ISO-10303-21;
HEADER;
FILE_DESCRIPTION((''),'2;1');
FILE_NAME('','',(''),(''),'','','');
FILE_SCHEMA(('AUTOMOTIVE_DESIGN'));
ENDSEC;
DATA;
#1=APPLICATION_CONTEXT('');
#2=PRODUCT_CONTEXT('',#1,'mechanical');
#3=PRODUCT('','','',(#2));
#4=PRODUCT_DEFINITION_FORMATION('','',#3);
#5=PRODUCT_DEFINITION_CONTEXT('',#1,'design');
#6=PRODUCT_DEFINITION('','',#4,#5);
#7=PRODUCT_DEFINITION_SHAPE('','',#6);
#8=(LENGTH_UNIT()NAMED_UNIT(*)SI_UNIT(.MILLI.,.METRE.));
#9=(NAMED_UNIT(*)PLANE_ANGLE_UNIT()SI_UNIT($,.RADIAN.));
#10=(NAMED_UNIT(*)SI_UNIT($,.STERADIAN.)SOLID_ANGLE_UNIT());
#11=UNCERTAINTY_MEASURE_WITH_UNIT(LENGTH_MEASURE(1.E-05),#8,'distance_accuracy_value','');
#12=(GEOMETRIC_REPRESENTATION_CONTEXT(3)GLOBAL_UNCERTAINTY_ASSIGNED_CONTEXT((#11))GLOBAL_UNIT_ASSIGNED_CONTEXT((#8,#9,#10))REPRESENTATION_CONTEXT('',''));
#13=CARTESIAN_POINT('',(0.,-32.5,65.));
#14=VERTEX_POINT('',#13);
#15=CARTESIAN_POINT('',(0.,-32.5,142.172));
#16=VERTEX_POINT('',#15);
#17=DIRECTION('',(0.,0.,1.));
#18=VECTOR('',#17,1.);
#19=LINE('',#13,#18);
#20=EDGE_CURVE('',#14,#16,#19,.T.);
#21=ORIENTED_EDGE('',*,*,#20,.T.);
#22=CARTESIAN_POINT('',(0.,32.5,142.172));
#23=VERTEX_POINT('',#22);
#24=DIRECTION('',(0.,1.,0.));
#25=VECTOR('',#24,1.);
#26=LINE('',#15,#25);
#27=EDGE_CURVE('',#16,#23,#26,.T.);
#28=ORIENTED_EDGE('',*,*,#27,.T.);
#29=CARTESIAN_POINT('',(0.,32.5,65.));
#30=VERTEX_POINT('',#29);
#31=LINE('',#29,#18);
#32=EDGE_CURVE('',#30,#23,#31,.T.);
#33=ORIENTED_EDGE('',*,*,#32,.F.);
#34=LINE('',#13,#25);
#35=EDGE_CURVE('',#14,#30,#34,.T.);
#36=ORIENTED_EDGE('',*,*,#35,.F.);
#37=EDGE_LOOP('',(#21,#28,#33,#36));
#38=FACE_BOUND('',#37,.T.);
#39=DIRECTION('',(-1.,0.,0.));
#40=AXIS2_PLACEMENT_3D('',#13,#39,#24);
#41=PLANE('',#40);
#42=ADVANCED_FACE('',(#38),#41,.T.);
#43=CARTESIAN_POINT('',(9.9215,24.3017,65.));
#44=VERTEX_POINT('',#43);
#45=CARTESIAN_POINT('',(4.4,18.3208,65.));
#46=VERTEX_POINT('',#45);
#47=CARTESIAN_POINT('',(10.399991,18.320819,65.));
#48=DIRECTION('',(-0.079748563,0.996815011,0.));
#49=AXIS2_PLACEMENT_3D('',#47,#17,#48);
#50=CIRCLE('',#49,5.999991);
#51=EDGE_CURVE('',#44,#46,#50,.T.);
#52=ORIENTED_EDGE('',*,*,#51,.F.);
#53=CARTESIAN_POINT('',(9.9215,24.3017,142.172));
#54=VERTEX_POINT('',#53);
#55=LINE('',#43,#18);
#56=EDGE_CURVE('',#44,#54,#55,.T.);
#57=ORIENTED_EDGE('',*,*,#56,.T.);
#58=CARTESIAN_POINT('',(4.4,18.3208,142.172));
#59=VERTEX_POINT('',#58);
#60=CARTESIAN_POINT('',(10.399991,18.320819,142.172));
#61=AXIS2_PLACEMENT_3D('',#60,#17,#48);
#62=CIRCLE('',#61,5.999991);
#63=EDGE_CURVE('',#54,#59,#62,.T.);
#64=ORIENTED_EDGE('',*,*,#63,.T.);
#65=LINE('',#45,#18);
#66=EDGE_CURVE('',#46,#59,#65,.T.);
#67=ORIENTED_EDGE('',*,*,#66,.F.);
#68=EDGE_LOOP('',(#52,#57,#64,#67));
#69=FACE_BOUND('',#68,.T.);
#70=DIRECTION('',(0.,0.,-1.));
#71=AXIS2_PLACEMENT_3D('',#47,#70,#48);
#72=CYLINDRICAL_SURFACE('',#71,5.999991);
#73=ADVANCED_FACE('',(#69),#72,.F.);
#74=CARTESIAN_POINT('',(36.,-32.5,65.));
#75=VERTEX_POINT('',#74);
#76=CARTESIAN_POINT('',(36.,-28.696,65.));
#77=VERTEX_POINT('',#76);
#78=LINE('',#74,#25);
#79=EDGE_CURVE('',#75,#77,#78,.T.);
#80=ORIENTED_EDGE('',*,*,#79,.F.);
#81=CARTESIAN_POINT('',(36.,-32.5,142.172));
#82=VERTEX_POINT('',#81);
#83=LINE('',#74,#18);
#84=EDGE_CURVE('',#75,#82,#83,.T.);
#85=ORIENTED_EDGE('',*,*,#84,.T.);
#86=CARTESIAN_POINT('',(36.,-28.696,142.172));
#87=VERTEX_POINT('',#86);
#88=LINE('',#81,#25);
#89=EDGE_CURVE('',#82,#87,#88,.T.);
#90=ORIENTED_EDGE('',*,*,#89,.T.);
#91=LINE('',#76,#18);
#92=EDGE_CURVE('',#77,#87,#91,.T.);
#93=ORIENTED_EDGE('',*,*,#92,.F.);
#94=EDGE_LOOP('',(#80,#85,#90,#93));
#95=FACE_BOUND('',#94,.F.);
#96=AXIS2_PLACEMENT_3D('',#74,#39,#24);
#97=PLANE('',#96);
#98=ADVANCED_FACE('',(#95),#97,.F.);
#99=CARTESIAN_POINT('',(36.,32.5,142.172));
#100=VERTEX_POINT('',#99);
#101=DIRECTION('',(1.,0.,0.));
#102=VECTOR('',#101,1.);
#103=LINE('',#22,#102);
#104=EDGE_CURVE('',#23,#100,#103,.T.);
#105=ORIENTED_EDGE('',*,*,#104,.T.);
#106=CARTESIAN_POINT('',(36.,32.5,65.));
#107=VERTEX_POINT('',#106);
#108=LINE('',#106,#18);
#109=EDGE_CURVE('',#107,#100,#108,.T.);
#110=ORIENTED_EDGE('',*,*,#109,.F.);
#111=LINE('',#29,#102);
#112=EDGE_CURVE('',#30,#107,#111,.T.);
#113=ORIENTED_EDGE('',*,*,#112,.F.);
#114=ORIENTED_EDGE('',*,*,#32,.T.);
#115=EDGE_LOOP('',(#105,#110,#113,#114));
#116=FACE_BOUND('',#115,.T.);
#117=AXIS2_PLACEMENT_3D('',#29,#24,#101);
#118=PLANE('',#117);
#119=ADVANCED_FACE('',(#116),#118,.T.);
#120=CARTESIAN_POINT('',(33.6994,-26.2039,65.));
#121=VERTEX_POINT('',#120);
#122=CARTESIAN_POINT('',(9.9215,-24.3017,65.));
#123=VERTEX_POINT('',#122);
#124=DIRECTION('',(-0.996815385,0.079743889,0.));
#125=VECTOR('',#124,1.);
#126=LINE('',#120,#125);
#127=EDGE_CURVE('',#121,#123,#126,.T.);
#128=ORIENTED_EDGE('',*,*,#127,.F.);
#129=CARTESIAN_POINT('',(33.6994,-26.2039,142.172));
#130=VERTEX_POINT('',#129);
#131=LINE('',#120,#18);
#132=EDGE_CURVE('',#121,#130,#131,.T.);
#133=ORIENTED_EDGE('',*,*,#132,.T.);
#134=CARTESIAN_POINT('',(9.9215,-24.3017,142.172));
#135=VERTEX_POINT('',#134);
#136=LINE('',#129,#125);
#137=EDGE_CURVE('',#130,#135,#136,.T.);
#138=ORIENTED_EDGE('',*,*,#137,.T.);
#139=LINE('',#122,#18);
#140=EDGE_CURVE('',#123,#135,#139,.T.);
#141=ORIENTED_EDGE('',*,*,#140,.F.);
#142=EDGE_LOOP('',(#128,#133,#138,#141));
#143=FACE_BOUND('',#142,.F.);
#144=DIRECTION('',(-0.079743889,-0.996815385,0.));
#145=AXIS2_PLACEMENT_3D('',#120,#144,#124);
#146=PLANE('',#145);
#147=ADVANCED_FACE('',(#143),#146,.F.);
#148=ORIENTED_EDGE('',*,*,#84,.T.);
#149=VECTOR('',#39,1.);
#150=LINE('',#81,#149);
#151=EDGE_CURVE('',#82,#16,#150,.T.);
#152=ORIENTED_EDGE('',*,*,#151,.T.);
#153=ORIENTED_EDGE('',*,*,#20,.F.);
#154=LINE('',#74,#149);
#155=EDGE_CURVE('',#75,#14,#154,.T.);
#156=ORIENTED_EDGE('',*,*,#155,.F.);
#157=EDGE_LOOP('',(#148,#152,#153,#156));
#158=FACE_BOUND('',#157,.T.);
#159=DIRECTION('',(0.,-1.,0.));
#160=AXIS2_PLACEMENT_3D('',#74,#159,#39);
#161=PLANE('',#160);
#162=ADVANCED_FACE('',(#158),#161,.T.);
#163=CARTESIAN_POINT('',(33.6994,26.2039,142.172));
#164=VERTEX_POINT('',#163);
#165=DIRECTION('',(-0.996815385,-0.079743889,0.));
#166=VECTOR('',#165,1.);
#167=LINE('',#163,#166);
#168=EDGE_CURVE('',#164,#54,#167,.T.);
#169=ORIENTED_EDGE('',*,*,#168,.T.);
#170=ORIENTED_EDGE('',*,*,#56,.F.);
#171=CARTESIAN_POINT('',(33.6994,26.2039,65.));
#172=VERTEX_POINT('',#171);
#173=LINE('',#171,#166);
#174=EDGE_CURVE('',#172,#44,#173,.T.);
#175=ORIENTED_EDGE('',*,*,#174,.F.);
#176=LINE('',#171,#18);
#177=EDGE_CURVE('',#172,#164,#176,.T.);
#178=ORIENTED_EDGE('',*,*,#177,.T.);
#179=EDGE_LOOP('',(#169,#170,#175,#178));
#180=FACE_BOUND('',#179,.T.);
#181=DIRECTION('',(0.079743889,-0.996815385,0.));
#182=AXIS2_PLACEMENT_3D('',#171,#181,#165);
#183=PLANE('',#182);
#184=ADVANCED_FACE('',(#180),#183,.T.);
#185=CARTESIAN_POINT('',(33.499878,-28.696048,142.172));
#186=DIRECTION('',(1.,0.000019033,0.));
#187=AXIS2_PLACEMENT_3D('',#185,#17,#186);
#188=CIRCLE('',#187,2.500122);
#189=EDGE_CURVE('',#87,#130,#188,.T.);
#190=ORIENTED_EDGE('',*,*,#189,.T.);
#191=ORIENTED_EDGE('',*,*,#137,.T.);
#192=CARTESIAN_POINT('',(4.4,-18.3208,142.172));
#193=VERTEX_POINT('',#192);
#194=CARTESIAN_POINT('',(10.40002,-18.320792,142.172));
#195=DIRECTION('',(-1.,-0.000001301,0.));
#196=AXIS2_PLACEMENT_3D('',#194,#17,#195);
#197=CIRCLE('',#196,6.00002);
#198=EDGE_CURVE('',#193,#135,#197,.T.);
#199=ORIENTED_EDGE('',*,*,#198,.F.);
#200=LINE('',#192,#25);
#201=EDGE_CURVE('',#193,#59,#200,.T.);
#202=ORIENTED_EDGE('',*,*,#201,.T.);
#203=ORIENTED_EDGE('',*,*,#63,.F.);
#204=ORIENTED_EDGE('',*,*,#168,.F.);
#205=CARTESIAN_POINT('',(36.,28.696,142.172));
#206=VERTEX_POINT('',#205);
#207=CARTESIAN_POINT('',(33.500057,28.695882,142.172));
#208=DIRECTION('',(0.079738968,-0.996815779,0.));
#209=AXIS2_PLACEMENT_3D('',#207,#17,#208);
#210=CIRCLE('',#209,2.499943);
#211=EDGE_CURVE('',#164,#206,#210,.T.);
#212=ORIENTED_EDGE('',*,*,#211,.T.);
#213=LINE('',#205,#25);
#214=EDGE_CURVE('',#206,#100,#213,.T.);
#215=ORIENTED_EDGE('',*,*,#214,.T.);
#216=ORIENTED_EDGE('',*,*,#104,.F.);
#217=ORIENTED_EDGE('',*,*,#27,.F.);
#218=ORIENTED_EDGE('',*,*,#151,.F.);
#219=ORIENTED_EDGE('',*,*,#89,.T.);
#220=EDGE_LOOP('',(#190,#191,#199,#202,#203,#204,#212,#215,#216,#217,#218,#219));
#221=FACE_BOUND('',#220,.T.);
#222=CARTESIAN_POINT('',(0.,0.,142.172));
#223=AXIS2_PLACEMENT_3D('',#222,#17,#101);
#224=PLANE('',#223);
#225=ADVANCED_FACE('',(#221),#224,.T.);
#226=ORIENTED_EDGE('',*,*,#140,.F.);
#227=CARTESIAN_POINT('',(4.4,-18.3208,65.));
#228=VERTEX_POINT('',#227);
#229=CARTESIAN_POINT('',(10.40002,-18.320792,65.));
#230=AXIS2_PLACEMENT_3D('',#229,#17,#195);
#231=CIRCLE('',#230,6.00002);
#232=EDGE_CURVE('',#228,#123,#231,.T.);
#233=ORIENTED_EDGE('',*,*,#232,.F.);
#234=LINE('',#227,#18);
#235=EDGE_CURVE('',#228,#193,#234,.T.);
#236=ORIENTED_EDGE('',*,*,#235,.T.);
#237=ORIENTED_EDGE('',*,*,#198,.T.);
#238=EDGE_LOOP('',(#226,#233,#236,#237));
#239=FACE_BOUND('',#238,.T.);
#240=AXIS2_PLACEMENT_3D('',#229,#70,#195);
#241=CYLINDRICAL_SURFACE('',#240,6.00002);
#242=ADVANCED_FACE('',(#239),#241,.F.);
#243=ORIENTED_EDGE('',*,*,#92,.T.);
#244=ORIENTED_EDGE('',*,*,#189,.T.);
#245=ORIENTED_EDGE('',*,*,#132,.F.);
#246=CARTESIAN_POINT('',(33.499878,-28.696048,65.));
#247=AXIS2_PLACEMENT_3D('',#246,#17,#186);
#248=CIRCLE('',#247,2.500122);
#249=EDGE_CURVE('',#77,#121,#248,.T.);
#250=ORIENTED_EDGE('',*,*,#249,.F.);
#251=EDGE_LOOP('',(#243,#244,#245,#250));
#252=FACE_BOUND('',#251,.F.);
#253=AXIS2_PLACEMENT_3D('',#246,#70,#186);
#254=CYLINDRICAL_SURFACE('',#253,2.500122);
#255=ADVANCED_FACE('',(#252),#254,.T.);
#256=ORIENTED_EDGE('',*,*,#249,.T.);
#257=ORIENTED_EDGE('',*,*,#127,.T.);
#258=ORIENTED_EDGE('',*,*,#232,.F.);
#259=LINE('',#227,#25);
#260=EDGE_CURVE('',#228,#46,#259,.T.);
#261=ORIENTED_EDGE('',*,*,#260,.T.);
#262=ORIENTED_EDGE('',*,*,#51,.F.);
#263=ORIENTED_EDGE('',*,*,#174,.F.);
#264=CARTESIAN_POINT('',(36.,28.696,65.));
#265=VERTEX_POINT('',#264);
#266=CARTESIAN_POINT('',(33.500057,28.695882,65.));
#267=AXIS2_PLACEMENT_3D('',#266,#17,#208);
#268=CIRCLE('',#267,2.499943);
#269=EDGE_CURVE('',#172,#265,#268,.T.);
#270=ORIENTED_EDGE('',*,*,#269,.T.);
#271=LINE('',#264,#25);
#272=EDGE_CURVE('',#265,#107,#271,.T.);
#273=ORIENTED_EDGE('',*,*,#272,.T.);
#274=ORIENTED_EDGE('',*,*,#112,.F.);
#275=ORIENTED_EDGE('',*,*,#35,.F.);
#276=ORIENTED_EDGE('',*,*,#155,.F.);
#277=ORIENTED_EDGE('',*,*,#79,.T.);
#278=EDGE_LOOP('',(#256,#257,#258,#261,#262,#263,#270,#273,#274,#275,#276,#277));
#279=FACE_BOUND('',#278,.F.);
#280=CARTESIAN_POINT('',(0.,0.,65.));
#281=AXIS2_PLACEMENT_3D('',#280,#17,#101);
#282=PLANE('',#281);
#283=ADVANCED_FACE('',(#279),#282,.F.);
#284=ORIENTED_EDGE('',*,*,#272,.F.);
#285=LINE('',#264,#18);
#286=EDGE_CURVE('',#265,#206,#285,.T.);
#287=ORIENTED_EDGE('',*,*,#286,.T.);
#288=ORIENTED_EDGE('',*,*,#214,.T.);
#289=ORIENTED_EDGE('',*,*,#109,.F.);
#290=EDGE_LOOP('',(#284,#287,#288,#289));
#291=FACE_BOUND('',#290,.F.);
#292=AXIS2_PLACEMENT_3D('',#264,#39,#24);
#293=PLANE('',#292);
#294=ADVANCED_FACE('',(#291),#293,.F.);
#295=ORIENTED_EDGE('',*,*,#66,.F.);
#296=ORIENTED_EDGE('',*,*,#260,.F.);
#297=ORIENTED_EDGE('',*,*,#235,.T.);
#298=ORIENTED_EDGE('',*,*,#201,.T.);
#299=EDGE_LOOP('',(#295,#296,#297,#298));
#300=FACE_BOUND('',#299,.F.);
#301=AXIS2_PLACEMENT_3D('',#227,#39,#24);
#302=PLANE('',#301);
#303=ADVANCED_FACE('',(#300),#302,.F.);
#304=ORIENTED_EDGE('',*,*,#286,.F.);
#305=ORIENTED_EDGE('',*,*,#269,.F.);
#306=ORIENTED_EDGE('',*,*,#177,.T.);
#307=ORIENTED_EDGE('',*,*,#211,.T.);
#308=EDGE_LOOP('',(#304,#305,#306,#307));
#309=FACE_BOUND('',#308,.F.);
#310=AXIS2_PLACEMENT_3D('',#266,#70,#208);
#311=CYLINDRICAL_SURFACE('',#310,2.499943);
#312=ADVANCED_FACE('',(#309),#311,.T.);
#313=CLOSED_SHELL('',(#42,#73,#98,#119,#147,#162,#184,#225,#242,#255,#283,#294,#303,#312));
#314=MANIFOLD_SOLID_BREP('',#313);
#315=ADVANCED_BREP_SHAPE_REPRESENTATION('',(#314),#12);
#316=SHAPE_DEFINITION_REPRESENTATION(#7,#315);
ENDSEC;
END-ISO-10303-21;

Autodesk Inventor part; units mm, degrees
ref_plane "Начальная плоскость" through (0, 0, 65) normal (0, 0, 1) x (1, 0, 0)
ref_plane "Конечная плоскость" through (0, 0, 142.172) normal (0, 0, 1) x (1, 0, 0)
sketch "Эскиз" plane through (0, 0, 0) normal (0, 0, 1) x (1, 0, 0)
  line L0 (36, -32.5) -> (0, -32.5)
  line L1 (36, -32.5) -> (36, -28.696)
  line L2 (33.6994, -26.2039) -> (9.9215, -24.3017)
  line L3 (4.4, -18.3208) -> (4.4, 18.3208)
  line L4 (33.6994, 26.2039) -> (9.9215, 24.3017)
  line L5 (36, 28.696) -> (36, 32.5)
  line L6 (0, 32.5) -> (36, 32.5)
  line L7 (0, -32.5) -> (0, 32.5)
  arc A0 (4.4, -18.3208) -> (9.9215, -24.3017) centre (10.4, -18.3208) ccw
  arc A1 (9.9215, 24.3017) -> (4.4, 18.3208) centre (10.4, 18.3208) ccw
  arc A2 (36, -28.696) -> (33.6994, -26.2039) centre (33.5, -28.696) ccw
  arc A3 (33.6994, 26.2039) -> (36, 28.696) centre (33.5, 28.696) ccw
  line L8 (0, 45.5) -> (0, -45.5) construction
  line L9 (-7.2974, 0) -> (43.7847, 0) construction
  point P0 (36, -26.388)
  point P1 (4.4, -23.86)
  point P2 (4.4, 23.86)
  point P3 (36, 26.388)
  dimension "d3" = 36
  dimension "d5" = 4.4
  dimension "d7" = 65
  dimension "d9" = 8.64
  dimension "d11" = 8.64
  dimension "d13" = 6.112
  dimension "d15" = 6.112
  dimension "d22" = 6
  dimension "d23" = 2.5
  dimension "d24" = 32.5
  dimension "d25" = 0
extrude "Тело" add sketch "Эскиз" along normal up to surface (77.172 mm away) from surface at 65
sketch "Sketch3" plane through (0, 0, 0) normal (0, 0, 1) x (1, 0, 0)
  line L0 (0, 0) -> (10, 0)
ref_plane "Work Plane7" through (0, 0, 0) normal (0, -1, 0) x (1, 0, 0)
sketch "Sketch4" plane through (0, 0, 0) normal (0, -1, 0) x (1, 0, 0)
  line L0 (-2, 65) -> (12, 65)
  line L1 (-2, 142.172) -> (12, 142.172)
  dimension "d29" = 77.172
ref_plane "РабПлоскость8" through (0, -398.2295, 142.172) normal (0, 0, 1) x (1, 0, 0)
split "Разделение1" plane through (0, -398.2295, 142.172) removes the side toward (0, 0, 1)
ref_plane "РабПлоскость9" through (36, -398.2295, 65) normal (0, 0, -1) x (-1, 0, 0)
split "Разделение2" plane through (36, -398.2295, 65) removes the side toward (0, 0, -1)
equation "\"d3\" = b"
equation "\"d5\" = t1"
equation "\"d7\" = ParH"
equation "\"d9\" = msp_x1 + t2"
equation "\"d11\" = msp_x1 + t2"
equation "\"d13\" = -msp_x2 + t2"
equation "\"d15\" = -msp_x2 + t2"
equation "\"d22\" = R"
equation "\"d23\" = R1"
equation "\"d24\" = 0.5 * d7"
equation "\"d16\" = G_L"
equation "\"R1\" = 2.5"
equation "\"R\" = 6"
equation "\"t1\" = 4.4"
equation "\"t2\" = 7.2"
equation "\"ParH\" = 65"
equation "\"b\" = 36"
equation "\"msp_x1\" = 0.04 * b"
equation "\"msp_x2\" = -0.08 * t1 + 0.04 * b"
equation "\"G_L\" = d29"
equation "\"ex\" = 0"
equation "\"G_OFFSET_START\" = -65"
equation "\"G_OFFSET_END\" = -65"
equation "\"d26\" = -G_OFFSET_START"
equation "\"d27\" = G_OFFSET_END + B_L"
equation "\"B_L\" = 207.172"
properties part number "Швеллер 6.5U-77,17 ГОСТ 8240-97" material "Сталь, мягкая"
